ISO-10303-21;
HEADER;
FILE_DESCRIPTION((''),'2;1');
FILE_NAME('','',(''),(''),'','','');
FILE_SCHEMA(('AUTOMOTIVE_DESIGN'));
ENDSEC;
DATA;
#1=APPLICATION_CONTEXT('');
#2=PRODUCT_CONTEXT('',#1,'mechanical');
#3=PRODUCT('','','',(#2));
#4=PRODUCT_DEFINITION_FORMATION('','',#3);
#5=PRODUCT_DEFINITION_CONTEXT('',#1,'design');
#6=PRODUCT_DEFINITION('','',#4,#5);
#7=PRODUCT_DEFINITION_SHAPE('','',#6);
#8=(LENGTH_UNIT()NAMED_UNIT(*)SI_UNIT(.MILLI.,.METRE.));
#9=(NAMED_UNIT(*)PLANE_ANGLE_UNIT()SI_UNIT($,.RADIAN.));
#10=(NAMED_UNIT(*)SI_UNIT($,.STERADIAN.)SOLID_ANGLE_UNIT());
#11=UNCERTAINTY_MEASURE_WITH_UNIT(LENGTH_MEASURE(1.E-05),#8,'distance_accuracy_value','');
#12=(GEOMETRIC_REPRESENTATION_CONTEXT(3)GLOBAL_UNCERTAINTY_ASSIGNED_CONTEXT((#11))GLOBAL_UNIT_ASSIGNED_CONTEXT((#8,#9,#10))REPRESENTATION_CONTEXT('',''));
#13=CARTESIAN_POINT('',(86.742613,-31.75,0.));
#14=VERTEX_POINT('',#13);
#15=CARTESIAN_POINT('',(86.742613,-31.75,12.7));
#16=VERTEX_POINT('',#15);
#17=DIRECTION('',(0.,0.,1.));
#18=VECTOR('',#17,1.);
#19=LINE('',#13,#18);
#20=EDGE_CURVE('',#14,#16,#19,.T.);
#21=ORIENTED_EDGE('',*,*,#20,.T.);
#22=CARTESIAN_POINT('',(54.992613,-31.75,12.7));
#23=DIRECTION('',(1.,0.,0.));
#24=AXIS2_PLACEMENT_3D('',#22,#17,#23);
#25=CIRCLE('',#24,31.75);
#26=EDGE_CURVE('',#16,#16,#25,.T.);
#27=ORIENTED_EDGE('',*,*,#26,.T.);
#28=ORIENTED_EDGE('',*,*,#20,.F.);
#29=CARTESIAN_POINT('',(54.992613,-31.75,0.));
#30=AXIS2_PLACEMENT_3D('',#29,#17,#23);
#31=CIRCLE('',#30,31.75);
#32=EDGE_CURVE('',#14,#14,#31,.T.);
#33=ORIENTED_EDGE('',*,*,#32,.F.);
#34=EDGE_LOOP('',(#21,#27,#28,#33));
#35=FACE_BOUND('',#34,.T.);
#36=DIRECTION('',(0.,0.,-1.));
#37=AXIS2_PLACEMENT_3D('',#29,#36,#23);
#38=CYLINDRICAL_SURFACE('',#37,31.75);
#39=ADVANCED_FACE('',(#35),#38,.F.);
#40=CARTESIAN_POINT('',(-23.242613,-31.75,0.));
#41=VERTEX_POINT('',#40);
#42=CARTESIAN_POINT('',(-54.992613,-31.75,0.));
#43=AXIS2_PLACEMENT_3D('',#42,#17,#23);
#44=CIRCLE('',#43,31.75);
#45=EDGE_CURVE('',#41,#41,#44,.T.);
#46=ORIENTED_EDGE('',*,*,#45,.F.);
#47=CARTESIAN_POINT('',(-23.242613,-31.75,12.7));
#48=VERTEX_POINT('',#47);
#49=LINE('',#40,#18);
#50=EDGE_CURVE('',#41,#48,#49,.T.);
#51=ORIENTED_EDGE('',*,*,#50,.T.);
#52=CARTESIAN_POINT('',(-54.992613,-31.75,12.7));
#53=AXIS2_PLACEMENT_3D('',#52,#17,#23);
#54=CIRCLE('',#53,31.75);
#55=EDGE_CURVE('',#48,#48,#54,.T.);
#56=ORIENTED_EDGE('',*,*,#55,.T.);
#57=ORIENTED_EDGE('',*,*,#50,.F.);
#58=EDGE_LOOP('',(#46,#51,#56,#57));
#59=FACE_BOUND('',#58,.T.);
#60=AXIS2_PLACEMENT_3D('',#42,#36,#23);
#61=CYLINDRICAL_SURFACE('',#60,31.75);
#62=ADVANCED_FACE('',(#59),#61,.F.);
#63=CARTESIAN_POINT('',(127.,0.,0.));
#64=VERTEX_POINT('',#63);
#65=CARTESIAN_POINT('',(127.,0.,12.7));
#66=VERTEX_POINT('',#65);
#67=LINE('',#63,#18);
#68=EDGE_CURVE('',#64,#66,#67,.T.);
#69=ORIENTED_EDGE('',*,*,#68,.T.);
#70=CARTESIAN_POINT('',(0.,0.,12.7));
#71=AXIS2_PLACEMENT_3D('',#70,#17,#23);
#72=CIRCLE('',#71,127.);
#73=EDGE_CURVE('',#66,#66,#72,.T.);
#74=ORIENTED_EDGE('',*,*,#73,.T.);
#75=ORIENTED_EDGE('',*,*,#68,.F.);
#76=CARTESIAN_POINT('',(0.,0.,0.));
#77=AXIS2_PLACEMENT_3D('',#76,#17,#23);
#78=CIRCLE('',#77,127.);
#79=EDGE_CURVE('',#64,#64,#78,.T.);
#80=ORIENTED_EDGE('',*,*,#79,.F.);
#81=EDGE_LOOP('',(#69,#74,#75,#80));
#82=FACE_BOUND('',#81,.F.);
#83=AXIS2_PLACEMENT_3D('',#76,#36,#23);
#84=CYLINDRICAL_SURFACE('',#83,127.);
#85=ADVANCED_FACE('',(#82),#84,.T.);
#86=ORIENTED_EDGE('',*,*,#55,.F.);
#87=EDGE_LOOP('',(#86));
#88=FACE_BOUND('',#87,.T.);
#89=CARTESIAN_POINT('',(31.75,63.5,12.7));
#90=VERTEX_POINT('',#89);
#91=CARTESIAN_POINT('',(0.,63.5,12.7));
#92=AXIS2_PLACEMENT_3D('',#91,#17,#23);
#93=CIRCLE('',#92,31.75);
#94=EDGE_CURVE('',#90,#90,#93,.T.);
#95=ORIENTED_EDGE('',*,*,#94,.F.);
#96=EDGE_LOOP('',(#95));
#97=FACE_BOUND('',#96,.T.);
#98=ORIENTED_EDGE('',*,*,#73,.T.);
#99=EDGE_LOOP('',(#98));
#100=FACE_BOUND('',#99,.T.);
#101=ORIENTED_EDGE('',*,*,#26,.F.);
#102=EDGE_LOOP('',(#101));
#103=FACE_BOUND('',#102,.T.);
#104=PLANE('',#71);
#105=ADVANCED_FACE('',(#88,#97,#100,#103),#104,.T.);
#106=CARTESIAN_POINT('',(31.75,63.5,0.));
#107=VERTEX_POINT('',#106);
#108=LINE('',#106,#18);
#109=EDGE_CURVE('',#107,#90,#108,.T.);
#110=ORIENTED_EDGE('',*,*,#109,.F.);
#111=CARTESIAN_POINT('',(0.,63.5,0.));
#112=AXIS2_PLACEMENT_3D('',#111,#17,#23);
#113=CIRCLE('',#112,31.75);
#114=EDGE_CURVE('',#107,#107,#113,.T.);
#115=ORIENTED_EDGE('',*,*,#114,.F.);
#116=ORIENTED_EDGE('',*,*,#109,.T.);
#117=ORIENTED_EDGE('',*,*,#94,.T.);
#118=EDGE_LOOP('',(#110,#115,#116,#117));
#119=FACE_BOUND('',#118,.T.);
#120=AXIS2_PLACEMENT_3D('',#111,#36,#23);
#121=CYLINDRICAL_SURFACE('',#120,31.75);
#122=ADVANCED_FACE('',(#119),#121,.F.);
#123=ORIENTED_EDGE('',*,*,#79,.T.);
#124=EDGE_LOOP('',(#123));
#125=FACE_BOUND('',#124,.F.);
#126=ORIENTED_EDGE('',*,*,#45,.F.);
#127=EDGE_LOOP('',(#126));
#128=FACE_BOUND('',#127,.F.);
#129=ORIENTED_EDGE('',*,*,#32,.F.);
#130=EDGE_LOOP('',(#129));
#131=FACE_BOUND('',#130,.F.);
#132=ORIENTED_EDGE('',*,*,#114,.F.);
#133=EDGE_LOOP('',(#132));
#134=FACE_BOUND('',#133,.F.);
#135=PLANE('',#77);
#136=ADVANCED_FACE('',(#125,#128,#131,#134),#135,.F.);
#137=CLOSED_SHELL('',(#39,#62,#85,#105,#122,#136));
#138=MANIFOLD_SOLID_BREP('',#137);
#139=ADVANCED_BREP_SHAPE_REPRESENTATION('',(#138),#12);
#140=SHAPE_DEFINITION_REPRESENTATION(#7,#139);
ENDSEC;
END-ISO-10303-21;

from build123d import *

# Parameters (mm, degrees)
F0_R     = 127
F0_R_2   = 31.75
F1_DEPTH = 12.7


with BuildPart() as f1:
    # F0 (on Top) → F1 (new body)
    with BuildSketch(Plane.XY):
        Circle(F0_R)
        with Locations((-54.992613, -31.75)):
            Circle(F0_R_2, mode=Mode.SUBTRACT)
        with Locations((54.992613, -31.75)):
            Circle(F0_R_2, mode=Mode.SUBTRACT)
        with Locations((0, 63.5)):
            Circle(F0_R_2, mode=Mode.SUBTRACT)
    extrude(amount=F1_DEPTH)


solid = f1.part
